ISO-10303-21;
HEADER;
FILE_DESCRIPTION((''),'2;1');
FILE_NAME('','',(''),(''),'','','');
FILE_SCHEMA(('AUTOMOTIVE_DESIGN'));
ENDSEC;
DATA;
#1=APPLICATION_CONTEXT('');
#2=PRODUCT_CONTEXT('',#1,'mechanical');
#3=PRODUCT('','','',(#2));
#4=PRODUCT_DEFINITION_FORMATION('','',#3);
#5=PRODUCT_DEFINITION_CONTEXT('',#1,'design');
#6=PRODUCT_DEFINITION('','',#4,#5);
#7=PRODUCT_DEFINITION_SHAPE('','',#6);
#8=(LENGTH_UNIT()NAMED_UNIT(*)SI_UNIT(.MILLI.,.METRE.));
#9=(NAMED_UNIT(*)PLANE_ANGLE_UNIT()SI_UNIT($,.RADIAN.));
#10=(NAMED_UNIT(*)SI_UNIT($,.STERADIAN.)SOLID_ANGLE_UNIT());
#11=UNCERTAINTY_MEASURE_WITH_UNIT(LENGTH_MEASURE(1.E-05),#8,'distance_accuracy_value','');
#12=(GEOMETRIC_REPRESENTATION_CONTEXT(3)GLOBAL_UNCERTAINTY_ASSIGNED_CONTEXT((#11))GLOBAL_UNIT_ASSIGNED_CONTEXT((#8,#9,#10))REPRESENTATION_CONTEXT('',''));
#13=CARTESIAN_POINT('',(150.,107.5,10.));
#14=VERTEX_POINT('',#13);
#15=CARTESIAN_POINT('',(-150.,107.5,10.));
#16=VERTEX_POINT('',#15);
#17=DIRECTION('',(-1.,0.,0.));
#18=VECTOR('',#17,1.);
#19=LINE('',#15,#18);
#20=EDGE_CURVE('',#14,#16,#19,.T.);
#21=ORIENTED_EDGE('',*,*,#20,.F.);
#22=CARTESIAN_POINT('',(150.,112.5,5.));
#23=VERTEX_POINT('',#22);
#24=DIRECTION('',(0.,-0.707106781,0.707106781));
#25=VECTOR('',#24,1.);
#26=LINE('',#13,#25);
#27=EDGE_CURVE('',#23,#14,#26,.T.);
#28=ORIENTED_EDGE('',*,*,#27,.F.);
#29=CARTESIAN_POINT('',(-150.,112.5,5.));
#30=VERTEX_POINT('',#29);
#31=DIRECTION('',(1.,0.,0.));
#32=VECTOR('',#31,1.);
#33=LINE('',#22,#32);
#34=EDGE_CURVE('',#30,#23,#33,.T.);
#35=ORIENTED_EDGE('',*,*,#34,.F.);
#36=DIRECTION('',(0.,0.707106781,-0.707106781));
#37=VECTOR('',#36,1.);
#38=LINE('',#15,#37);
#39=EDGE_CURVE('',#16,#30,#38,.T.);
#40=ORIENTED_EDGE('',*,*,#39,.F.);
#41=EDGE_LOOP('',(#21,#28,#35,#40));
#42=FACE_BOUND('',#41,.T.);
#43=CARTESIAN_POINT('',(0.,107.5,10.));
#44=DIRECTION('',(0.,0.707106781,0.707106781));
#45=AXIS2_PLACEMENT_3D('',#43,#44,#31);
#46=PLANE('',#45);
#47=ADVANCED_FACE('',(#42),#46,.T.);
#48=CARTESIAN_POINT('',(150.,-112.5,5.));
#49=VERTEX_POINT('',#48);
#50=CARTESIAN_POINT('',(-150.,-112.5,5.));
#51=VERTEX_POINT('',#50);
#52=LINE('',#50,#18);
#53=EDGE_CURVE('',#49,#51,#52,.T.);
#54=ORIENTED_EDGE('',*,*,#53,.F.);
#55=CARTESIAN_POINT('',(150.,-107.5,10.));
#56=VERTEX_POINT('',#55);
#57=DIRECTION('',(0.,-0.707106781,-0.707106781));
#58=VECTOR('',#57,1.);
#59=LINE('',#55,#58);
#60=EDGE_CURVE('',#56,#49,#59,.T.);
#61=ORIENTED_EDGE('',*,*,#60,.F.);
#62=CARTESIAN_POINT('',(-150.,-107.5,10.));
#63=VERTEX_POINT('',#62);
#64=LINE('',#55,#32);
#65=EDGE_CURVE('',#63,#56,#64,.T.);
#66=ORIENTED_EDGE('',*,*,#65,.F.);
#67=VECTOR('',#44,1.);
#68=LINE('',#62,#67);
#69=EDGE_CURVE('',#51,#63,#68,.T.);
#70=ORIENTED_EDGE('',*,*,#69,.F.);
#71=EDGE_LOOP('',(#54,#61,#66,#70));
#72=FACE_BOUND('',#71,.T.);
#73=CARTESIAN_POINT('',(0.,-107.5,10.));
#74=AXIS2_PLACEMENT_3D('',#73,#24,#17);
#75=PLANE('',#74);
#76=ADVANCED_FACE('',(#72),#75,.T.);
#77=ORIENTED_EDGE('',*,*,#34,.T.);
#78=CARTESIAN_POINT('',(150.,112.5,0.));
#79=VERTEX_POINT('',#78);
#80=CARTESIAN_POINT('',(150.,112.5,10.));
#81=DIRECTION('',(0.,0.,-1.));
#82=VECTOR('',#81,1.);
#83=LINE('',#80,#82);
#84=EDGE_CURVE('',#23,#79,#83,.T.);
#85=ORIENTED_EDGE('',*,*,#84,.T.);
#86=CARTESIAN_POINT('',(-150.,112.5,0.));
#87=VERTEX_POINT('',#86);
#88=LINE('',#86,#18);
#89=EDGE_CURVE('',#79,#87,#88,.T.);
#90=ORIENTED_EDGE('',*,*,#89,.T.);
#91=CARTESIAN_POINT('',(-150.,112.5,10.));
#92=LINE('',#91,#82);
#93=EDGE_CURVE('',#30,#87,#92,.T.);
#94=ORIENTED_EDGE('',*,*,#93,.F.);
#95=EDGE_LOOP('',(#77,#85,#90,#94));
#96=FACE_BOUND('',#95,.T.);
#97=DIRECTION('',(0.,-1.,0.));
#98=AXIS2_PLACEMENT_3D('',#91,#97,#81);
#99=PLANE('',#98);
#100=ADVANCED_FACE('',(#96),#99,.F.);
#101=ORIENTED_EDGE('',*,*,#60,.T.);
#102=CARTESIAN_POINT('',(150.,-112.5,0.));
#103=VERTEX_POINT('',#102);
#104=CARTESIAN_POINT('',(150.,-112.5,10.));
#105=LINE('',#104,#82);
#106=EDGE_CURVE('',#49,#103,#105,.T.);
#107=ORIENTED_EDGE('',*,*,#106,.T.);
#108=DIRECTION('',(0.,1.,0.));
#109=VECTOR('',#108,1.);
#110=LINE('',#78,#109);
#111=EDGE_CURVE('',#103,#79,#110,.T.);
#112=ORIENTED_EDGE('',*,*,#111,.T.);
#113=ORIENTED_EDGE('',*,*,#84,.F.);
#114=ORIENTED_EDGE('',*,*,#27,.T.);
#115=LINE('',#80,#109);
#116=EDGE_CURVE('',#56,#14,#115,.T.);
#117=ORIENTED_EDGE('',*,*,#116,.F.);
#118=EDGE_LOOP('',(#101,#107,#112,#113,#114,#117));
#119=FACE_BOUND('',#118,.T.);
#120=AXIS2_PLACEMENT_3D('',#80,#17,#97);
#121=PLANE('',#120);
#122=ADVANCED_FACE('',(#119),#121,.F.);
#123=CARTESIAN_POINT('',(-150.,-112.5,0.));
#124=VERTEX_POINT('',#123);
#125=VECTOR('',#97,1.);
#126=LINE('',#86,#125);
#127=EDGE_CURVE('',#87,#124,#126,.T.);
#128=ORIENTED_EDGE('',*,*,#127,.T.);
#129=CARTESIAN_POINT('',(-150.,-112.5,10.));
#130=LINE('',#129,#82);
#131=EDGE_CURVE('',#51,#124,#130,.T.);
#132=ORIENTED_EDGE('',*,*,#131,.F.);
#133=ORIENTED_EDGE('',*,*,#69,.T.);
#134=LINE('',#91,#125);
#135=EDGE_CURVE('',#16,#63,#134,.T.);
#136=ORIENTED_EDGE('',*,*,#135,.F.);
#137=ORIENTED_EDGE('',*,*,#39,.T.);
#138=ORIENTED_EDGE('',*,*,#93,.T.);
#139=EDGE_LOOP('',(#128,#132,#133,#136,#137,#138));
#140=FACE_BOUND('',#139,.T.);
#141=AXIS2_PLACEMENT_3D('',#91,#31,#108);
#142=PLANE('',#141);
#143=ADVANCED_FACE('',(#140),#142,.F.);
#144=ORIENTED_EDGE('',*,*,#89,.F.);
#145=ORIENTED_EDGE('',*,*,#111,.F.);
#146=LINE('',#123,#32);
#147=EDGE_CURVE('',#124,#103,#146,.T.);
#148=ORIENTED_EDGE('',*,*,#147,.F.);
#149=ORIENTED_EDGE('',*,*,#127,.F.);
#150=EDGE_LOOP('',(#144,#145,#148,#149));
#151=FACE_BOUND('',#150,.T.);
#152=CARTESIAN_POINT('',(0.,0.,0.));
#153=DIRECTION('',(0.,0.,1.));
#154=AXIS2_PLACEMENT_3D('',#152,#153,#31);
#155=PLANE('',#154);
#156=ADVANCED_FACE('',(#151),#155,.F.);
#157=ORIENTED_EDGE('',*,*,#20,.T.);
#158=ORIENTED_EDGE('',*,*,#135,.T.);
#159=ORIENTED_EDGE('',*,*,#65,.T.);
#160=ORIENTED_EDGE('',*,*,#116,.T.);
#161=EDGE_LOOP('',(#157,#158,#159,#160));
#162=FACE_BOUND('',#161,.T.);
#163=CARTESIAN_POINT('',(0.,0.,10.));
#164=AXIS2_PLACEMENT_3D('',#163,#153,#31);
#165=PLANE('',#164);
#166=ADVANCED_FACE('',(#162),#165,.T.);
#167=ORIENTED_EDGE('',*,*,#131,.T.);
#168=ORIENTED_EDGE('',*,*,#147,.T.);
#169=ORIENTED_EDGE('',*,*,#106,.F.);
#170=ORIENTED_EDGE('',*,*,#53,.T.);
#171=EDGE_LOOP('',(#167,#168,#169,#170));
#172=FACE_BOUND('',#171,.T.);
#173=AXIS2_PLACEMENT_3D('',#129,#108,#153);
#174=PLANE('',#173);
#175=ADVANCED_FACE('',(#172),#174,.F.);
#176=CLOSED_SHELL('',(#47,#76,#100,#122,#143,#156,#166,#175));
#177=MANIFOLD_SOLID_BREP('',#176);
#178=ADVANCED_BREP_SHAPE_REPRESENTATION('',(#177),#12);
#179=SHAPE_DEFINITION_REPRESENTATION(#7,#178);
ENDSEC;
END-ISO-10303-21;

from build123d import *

# Parameters (mm, degrees)
SKETCH_1_W      = 300
SKETCH_1_H      = 225
EXTRUDE_1_DEPTH = 10
CHAMFER_1_SIZE  = 5


with BuildPart() as part:
    # 草图1 → 凸台-拉伸1 (new body)
    with BuildSketch(Plane.XY):
        Rectangle(SKETCH_1_W, SKETCH_1_H)
    extrude(amount=EXTRUDE_1_DEPTH)

    # 倒角1
    chamfer_1_edges = [part.edges().sort_by_distance(p)[0] for p in [
        (0, -112.5, 10),
        (0, 112.5, 10),
    ]]
    chamfer(chamfer_1_edges, length=CHAMFER_1_SIZE)


solid = part.part
